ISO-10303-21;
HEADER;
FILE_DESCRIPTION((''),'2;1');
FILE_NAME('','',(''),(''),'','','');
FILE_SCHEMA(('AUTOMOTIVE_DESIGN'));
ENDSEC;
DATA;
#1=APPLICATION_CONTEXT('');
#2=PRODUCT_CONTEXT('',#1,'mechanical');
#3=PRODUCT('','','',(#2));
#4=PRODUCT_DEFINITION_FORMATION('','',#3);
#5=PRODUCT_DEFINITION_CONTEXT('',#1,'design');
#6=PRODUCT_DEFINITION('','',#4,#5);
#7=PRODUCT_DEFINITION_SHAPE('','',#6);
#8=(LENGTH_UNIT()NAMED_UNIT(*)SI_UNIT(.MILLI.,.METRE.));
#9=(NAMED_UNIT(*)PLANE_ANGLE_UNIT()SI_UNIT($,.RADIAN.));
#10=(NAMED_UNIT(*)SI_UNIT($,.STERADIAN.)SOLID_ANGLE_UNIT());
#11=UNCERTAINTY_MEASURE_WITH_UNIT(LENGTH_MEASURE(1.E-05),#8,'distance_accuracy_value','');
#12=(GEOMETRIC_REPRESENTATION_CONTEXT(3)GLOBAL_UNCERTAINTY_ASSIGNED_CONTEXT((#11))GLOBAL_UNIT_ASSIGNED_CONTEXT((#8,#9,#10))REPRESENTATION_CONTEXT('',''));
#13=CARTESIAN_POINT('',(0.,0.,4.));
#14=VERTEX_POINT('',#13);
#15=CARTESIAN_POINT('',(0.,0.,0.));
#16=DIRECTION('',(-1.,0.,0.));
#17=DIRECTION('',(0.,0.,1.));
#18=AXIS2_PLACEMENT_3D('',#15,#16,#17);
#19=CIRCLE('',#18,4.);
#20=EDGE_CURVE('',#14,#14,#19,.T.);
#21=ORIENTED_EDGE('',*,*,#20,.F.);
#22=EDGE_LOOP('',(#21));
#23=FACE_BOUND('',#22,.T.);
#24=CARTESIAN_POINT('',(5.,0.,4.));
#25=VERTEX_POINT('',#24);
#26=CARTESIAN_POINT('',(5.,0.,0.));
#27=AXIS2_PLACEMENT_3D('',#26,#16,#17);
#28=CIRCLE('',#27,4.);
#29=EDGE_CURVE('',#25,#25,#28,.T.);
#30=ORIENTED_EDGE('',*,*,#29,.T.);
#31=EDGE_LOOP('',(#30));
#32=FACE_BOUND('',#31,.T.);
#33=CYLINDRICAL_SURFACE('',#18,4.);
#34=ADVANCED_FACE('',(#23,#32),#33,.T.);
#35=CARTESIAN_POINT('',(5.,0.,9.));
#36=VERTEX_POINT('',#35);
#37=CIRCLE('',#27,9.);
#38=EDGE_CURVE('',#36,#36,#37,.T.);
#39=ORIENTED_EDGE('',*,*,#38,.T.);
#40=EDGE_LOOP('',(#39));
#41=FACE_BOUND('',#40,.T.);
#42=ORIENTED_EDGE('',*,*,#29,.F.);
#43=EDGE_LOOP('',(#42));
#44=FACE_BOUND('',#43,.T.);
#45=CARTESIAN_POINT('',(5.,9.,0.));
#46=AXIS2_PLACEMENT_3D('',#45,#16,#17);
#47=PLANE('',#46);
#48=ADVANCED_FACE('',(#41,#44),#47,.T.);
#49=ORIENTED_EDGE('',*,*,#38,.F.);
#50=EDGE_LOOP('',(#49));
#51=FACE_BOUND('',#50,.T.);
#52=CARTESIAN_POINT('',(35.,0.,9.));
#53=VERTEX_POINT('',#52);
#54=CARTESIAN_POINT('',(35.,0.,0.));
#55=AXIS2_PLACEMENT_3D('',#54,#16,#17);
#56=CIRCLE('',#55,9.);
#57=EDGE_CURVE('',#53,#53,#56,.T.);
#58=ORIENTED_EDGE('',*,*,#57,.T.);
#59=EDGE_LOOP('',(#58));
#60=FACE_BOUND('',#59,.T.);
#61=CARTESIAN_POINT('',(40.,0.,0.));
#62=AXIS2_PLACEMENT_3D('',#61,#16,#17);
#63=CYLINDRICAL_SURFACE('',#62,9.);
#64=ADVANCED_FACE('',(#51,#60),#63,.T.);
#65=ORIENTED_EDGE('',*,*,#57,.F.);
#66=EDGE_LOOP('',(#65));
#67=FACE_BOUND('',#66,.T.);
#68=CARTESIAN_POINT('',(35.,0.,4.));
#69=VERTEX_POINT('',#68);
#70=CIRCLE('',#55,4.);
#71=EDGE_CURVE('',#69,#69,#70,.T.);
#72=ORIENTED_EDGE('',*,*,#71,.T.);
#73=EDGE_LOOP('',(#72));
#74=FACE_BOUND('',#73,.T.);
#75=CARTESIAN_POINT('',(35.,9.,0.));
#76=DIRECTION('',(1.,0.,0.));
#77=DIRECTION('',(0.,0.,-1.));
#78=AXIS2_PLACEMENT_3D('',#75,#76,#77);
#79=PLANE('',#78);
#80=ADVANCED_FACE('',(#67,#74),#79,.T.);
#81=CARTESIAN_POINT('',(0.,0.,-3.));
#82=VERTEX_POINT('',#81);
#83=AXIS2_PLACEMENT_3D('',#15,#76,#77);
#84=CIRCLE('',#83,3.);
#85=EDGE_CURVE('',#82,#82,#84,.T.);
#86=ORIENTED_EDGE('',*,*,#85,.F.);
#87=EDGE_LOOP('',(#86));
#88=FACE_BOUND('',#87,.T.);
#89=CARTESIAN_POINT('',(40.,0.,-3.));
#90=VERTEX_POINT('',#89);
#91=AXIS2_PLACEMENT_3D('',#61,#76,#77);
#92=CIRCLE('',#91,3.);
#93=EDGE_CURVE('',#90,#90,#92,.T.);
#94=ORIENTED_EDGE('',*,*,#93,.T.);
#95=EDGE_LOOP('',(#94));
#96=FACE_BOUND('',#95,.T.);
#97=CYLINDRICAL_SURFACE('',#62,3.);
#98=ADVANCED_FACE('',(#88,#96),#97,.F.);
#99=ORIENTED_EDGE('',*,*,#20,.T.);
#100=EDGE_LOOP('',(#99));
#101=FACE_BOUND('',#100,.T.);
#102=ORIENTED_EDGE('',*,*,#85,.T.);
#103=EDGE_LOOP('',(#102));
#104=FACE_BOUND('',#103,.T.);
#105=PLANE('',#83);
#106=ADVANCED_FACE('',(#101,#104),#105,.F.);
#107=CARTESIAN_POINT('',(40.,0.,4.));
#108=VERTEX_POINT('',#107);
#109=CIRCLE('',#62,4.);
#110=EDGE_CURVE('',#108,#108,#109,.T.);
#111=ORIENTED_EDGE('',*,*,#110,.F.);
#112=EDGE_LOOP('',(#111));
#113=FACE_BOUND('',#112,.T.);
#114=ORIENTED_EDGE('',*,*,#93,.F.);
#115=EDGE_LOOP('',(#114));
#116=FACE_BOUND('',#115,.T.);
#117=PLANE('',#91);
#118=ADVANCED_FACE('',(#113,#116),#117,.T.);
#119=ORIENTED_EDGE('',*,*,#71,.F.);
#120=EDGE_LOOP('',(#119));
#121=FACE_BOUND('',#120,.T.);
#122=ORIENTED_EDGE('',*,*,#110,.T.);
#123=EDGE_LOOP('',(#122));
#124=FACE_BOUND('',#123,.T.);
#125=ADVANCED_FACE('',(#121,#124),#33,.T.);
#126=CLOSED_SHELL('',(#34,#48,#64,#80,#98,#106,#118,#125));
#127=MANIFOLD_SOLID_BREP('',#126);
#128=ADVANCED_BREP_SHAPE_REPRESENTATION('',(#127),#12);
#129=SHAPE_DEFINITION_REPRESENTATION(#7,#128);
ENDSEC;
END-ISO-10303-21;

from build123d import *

# Parameters (mm, degrees)
SKETCH1_R           = 9
SKETCH1_R_2         = 3
BOSS_EXTRUDE1_DEPTH = 40
SKETCH2_W           = 5
SKETCH2_H           = 5


with BuildPart() as part:
    # Sketch1 → Boss-Extrude1 (new body)
    with BuildSketch(Plane(origin=(0, 0, 0), x_dir=(0, 0, -1), z_dir=(1, 0, 0))):
        Circle(SKETCH1_R)
        Circle(SKETCH1_R_2, mode=Mode.SUBTRACT)
    extrude(amount=BOSS_EXTRUDE1_DEPTH)

    # Sketch2 → Cut-Revolve1 (revolve, cut)
    with BuildSketch(Plane.XY, mode=Mode.PRIVATE) as cut_revolve1_sk:
        with Locations((2.5, 6.5)):
            Rectangle(SKETCH2_W, SKETCH2_H)
        with Locations((37.5, 6.5)):
            Rectangle(SKETCH2_W, SKETCH2_H)
    revolve(cut_revolve1_sk.sketch.rotate(Axis((0, 0, 0), (1, 0, 0)), 90), axis=Axis((0, 0, 0), (1, 0, 0)), mode=Mode.SUBTRACT)


solid = part.part
